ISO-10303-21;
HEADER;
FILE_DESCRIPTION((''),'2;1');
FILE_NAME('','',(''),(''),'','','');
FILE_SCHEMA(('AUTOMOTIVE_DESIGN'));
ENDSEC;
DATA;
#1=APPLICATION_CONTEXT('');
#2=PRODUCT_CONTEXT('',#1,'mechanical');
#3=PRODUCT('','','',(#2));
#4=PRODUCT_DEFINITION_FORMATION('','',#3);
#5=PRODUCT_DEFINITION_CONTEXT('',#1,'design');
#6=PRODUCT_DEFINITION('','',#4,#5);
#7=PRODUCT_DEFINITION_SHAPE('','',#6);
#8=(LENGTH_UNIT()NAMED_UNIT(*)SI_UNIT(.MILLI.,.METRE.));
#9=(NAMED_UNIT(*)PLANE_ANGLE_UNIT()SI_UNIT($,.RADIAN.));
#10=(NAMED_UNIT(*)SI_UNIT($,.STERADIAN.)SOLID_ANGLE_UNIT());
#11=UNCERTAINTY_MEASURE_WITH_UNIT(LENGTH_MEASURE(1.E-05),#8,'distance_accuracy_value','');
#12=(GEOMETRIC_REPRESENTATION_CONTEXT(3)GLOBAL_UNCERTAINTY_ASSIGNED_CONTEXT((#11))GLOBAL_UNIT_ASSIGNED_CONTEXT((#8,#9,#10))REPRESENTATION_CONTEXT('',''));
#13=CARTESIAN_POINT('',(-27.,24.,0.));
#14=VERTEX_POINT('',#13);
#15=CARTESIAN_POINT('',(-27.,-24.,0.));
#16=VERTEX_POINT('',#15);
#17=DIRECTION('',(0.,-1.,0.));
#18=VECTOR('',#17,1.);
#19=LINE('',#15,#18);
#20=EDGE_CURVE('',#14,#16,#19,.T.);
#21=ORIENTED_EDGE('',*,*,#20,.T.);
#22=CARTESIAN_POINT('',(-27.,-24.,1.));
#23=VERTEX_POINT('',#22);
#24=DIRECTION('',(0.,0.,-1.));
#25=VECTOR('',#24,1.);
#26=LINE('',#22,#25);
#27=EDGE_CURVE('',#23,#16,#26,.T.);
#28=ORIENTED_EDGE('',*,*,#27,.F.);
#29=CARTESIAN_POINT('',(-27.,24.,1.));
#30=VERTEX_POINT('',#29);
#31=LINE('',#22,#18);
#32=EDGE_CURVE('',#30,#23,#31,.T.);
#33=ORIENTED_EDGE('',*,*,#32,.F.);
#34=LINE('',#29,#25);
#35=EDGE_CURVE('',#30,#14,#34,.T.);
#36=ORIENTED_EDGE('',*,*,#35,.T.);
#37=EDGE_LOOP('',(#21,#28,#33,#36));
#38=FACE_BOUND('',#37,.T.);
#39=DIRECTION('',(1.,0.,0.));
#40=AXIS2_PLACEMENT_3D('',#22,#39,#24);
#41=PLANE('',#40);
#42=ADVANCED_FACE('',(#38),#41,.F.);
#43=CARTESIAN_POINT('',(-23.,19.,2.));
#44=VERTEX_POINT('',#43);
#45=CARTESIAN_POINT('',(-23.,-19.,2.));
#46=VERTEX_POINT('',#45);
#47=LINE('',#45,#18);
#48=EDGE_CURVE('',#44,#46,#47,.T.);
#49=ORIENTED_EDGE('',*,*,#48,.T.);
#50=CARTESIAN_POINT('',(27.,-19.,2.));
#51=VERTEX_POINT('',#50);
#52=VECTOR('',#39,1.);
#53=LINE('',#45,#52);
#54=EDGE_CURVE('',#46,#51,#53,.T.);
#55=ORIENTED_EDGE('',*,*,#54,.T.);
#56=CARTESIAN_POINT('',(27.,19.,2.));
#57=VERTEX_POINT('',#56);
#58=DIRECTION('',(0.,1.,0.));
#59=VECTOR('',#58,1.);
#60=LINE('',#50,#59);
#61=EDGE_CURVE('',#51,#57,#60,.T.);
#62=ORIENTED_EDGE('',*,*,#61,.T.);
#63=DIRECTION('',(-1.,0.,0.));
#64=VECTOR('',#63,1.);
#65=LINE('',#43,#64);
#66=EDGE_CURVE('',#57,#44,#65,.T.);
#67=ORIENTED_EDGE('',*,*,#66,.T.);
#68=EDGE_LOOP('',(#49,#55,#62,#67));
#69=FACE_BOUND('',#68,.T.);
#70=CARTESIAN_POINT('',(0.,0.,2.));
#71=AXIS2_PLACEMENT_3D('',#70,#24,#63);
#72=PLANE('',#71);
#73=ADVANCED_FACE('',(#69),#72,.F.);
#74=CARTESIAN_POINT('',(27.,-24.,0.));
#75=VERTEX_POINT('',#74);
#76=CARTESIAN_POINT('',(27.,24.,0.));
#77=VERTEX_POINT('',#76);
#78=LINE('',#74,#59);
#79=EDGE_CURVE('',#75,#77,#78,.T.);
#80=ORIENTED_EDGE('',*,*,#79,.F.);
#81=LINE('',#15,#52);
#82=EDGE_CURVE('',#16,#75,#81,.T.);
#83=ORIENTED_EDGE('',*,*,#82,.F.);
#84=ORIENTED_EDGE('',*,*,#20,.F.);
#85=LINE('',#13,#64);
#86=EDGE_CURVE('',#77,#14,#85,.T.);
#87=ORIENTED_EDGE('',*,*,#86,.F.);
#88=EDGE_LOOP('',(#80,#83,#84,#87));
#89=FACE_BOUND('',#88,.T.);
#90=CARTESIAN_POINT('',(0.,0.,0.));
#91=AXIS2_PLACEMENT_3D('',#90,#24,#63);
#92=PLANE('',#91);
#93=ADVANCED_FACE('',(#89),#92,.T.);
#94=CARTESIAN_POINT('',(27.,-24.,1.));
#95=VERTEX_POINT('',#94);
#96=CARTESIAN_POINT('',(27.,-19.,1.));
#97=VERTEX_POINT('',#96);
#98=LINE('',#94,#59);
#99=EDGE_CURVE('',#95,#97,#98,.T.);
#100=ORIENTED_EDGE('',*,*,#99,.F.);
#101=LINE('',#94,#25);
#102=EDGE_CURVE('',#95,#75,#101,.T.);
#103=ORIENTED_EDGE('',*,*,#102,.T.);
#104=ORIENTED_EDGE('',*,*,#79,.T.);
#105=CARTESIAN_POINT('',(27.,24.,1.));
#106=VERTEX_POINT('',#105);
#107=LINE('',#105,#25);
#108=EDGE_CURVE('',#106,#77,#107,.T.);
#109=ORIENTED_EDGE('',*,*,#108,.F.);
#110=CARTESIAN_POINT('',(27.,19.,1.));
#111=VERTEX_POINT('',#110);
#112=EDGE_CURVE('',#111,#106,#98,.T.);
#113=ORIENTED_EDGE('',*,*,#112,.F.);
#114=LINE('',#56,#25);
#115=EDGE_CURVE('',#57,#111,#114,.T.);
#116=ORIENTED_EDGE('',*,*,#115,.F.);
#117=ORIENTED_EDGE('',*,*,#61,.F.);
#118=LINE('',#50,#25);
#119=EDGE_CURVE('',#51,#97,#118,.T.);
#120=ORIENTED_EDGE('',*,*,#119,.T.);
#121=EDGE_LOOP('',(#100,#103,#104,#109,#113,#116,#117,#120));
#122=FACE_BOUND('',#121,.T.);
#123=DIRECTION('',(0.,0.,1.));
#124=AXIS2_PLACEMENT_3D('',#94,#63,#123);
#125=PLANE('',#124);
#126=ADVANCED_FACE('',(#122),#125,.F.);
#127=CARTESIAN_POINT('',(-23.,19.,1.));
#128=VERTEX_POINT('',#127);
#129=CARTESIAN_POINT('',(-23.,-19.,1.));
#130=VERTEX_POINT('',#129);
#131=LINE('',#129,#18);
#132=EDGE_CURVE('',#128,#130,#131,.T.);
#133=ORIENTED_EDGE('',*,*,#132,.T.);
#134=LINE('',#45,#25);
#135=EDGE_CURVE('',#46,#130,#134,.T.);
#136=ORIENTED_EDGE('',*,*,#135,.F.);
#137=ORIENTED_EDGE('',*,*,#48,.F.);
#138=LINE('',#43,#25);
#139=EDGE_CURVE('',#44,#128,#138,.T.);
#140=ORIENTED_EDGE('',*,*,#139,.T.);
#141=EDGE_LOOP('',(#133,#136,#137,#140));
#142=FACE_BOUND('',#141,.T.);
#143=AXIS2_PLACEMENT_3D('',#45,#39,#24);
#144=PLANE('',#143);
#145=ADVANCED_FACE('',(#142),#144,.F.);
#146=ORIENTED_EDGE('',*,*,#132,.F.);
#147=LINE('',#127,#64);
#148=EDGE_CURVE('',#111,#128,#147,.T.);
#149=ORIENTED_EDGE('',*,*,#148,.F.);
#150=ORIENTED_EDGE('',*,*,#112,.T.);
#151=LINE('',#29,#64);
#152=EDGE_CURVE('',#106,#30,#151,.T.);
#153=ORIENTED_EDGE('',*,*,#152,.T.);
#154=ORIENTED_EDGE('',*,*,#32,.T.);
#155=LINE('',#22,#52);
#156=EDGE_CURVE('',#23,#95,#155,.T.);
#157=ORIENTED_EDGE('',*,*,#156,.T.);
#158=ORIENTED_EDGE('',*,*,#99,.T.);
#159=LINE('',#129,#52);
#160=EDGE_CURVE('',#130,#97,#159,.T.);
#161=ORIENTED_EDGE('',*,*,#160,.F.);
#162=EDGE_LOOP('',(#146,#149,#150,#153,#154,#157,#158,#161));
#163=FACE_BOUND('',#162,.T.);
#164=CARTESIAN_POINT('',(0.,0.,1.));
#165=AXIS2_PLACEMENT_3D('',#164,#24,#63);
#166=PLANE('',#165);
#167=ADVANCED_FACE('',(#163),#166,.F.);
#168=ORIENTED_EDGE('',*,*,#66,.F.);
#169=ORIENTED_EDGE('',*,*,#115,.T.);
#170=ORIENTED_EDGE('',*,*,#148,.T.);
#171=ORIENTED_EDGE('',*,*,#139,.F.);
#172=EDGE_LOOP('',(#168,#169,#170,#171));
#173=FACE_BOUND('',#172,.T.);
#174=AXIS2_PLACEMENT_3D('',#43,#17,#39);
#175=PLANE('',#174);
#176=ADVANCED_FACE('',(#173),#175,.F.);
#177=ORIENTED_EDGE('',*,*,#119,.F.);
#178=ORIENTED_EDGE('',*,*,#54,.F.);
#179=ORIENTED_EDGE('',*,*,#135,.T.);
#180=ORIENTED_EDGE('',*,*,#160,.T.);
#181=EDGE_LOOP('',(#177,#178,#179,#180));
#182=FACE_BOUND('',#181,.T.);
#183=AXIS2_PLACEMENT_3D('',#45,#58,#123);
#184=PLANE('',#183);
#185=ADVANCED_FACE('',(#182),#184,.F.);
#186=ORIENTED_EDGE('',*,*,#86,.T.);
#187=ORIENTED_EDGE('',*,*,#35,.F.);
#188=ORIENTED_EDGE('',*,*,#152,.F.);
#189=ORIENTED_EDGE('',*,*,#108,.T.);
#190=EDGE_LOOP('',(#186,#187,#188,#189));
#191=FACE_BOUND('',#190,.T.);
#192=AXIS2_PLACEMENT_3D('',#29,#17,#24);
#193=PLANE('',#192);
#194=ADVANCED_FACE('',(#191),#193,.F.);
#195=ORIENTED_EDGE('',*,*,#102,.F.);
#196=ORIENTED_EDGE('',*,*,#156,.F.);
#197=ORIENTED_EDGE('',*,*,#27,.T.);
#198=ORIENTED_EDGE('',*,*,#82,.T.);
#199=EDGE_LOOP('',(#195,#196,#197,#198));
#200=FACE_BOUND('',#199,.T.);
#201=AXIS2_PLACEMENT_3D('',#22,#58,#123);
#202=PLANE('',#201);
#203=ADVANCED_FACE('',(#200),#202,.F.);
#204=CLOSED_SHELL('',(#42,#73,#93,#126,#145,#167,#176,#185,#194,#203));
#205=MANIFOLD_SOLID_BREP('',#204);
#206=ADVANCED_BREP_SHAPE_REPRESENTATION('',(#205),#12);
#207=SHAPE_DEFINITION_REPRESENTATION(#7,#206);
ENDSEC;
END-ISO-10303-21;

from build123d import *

# Parameters (mm, degrees)
SKETCH_1_W      = 54
SKETCH_1_H      = 48
EXTRUDE_1_DEPTH = 1
SKETCH_2_W      = 50
SKETCH_2_H      = 38
EXTRUDE_2_DEPTH = 1


with BuildPart() as part:
    # Эскиз1 → Бобышка-Вытянуть1 (new body)
    with BuildSketch(Plane.XY):
        Rectangle(SKETCH_1_W, SKETCH_1_H)
    extrude(amount=EXTRUDE_1_DEPTH)

    # Эскиз2 → Бобышка-Вытянуть2 (add)
    with BuildSketch(Plane.XY.offset(1)):
        with Locations((2, 0)):
            Rectangle(SKETCH_2_W, SKETCH_2_H)
    extrude(amount=EXTRUDE_2_DEPTH)


solid = part.part
